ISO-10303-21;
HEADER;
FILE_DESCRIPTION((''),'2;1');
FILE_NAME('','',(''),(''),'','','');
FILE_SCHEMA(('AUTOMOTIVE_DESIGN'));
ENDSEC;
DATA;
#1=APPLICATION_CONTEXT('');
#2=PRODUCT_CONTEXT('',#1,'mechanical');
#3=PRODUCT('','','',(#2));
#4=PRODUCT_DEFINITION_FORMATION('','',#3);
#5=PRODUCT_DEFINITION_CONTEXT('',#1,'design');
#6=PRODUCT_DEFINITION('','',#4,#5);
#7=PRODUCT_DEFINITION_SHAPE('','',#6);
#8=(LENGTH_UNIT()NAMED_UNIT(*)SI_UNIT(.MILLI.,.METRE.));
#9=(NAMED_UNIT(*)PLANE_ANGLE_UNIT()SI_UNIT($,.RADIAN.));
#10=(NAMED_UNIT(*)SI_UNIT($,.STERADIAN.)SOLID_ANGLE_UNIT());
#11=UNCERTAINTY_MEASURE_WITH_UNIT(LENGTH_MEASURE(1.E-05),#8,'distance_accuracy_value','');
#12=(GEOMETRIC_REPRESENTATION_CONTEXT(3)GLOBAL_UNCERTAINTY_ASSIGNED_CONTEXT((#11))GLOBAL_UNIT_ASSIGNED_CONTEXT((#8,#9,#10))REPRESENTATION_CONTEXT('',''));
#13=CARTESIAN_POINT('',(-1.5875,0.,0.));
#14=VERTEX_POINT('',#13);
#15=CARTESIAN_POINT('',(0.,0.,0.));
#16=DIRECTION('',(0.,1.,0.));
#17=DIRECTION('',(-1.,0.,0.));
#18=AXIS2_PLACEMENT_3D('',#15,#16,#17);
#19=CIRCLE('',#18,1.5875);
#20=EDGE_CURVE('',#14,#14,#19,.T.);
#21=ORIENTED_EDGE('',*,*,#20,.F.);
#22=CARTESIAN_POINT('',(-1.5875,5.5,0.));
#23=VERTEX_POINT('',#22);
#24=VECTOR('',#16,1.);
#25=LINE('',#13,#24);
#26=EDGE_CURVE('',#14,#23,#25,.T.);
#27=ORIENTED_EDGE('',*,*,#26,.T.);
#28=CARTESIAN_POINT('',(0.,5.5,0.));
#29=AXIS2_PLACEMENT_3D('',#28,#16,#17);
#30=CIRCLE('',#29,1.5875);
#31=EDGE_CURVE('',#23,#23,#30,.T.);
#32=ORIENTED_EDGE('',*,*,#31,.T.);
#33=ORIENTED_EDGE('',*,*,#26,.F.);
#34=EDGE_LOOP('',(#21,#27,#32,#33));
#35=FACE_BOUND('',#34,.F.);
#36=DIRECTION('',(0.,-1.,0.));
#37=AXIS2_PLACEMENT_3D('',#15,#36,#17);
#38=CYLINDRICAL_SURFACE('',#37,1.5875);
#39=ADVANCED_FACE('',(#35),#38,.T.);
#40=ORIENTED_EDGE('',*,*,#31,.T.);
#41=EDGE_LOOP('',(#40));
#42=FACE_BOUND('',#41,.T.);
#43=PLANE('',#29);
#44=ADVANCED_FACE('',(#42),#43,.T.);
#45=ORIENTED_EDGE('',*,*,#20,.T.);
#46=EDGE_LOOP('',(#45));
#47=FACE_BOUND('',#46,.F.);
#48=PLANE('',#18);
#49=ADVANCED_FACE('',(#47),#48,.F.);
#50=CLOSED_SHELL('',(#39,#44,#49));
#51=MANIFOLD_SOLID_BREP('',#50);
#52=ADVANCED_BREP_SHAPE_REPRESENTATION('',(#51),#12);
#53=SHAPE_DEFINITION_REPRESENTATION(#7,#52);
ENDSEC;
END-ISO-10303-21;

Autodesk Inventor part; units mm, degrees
ref_plane "YZ Plane" through (0, 0, 0) normal (1, 0, 0) x (0, 1, 0)
ref_plane "XZ Plane" through (0, 0, 0) normal (0, 1, 0) x (-1, 0, 0)
ref_plane "XY Plane" through (0, 0, 0) normal (0, 0, 1) x (1, 0, 0)
sketch "Sketch1" plane through (0, 0, 0) normal (0, 1, 0) x (-1, 0, 0)
  circle A0 centre (0, 0) radius 1.5875
  dimension "d0" = 3.175
extrude "Extrusion1" add sketch "Sketch1" along normal blind 5.5
properties part number "axis"
